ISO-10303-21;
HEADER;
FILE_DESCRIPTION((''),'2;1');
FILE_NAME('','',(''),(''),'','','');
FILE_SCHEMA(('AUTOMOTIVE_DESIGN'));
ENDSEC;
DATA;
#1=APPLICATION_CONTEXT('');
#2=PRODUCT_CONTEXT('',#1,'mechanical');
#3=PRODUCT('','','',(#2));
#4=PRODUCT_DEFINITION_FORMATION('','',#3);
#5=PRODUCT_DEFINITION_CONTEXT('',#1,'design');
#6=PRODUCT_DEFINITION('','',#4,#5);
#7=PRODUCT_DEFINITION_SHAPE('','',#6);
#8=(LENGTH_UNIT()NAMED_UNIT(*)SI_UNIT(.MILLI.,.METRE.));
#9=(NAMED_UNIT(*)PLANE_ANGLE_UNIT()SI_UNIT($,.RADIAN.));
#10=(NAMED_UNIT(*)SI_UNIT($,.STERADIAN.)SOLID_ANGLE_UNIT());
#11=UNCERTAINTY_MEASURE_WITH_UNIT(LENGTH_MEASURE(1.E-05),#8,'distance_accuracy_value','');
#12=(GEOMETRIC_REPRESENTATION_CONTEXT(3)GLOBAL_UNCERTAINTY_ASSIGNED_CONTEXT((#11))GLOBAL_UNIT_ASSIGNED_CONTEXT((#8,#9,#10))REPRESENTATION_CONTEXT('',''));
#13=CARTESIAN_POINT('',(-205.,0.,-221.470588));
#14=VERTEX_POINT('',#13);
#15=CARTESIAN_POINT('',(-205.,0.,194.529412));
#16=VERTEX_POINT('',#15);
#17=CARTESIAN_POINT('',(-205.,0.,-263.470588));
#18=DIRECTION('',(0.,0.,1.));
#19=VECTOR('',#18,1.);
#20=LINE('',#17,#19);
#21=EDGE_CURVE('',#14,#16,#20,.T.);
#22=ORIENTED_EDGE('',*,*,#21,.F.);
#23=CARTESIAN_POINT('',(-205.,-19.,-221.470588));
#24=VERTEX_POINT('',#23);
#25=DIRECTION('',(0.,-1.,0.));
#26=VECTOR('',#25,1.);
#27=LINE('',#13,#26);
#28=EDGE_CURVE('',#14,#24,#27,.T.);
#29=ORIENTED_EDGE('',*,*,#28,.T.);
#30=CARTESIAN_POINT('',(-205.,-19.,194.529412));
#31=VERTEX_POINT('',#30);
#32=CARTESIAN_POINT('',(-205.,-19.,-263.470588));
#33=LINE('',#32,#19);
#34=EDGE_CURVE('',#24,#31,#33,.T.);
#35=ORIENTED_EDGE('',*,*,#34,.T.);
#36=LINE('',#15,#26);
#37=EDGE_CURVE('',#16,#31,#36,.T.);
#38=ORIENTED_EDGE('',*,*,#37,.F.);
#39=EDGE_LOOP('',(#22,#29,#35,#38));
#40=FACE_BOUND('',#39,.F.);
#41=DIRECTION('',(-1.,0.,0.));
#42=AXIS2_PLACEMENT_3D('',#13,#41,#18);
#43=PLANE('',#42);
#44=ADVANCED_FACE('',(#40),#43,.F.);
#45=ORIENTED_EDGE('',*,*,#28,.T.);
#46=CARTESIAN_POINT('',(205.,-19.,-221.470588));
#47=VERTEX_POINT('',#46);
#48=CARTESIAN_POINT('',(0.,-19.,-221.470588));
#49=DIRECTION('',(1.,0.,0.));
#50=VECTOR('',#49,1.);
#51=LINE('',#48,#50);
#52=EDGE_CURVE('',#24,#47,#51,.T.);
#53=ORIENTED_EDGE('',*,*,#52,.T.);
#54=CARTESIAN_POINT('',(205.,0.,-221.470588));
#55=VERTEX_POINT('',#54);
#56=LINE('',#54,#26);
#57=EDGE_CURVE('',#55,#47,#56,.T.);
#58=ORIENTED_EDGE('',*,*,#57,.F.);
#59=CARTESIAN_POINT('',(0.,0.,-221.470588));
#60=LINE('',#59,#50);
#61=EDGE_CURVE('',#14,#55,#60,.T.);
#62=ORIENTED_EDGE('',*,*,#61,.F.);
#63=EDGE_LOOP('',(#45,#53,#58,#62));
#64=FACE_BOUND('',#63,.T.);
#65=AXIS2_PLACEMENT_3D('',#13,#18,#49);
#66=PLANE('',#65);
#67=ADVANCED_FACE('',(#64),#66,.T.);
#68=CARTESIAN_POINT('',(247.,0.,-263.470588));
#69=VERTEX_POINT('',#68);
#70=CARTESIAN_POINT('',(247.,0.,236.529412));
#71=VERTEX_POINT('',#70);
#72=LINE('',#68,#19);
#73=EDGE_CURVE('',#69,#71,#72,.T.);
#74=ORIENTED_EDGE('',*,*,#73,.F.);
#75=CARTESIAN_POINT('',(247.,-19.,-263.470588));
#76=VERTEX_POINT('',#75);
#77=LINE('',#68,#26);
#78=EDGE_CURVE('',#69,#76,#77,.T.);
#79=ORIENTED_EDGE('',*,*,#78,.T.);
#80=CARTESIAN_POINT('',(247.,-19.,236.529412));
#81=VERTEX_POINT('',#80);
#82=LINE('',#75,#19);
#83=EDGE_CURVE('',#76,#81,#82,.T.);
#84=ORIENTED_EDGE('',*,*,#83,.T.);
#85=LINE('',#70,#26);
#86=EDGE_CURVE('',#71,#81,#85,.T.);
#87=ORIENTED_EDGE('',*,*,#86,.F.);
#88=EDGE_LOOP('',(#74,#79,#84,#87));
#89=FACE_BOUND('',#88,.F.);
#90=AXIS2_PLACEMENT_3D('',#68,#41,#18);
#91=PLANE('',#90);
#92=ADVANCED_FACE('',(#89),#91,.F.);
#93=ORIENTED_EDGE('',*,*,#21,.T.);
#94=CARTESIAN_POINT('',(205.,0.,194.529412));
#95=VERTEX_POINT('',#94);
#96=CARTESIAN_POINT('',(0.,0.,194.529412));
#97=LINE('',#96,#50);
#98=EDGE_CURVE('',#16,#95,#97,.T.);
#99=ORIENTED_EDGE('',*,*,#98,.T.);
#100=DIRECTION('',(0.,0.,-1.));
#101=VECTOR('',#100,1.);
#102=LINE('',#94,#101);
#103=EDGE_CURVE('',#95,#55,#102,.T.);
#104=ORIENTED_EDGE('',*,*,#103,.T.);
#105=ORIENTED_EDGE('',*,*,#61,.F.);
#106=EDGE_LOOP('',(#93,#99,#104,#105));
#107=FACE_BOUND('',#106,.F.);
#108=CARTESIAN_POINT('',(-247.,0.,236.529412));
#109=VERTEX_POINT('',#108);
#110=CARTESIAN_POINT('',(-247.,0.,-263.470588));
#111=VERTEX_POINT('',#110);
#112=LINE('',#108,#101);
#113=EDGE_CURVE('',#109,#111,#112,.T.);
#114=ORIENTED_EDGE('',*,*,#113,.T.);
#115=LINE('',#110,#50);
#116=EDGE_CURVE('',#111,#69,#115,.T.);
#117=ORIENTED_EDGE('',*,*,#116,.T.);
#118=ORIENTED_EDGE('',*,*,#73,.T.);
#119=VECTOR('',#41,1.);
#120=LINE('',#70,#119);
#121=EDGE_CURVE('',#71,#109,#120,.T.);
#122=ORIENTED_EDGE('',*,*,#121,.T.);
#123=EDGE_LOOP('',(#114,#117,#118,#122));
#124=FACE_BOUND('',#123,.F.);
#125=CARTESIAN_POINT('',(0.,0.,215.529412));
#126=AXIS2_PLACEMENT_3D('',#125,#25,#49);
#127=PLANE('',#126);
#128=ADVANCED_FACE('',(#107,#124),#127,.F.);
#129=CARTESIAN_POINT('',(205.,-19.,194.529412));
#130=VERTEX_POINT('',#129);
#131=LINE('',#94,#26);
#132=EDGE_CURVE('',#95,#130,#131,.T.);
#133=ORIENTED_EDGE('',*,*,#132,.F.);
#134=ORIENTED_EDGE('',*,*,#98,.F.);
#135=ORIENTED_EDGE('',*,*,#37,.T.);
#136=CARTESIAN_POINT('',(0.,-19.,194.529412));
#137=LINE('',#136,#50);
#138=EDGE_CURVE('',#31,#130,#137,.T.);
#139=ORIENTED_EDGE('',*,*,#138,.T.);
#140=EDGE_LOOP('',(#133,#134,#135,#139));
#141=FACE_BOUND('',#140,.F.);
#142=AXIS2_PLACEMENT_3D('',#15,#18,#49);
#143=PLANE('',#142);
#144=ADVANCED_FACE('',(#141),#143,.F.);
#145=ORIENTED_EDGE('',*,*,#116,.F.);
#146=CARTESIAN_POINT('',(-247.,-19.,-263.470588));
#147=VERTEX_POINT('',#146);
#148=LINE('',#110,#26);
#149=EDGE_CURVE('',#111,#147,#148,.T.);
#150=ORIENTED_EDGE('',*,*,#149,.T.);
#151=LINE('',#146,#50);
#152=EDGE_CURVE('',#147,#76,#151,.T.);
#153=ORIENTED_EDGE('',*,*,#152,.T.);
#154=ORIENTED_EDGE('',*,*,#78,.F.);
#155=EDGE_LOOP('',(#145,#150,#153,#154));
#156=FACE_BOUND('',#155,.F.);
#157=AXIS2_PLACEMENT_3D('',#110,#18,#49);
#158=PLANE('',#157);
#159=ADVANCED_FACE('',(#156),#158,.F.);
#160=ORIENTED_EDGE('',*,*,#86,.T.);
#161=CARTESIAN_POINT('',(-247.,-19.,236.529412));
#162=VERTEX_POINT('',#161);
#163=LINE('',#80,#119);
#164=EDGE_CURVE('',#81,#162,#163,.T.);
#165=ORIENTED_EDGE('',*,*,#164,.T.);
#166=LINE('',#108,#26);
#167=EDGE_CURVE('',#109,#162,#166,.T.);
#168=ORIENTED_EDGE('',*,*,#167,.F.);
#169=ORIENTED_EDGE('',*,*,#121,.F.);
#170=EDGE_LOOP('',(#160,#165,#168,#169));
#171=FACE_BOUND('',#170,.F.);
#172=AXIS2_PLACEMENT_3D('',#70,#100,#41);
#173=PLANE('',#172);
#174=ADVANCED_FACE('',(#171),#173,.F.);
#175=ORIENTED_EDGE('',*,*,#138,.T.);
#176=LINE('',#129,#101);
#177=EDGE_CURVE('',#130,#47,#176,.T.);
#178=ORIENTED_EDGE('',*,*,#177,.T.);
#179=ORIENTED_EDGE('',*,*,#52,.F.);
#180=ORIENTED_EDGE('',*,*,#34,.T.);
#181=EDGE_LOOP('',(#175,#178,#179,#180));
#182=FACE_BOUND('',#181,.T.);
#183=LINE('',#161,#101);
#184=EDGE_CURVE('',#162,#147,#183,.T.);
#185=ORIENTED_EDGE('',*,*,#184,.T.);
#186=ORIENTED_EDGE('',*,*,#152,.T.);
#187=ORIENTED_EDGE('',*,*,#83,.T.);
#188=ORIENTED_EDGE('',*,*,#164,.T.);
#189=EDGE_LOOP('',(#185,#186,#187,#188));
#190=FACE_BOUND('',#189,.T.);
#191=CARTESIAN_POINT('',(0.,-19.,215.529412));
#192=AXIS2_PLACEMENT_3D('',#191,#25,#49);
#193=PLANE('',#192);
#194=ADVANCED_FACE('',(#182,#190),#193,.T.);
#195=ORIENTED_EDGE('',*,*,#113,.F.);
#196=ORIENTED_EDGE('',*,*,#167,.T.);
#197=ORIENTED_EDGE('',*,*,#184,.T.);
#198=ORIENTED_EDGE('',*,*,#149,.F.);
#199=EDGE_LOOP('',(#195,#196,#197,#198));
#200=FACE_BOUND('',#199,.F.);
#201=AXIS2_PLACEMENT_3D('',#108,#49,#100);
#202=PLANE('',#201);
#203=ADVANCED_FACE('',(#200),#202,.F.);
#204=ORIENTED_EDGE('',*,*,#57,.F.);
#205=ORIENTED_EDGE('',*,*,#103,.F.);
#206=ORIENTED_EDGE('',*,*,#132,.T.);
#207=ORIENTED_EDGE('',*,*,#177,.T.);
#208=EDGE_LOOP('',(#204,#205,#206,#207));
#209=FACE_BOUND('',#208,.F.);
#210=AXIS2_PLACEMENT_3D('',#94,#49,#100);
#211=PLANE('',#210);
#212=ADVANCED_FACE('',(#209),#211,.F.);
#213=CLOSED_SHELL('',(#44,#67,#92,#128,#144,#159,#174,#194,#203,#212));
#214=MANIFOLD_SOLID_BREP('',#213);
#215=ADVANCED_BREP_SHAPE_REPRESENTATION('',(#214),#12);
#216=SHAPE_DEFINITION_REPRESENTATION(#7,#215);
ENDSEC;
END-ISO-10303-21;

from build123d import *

# Parameters (mm, degrees)
F0_W     = 410
F0_H     = 42
F1_DEPTH = 19


with BuildPart() as f1:
    # F0 (on Front) → F1 (new body)
    with BuildSketch(Plane.XZ):
        with Locations((0, 215.529412)):
            Rectangle(F0_W, F0_H)
        Polygon((205, 236.529412), (205, 194.529412), (205, -221.470588), (205, -263.470588), (247, -263.470588), (247, 236.529412), align=None)
        Polygon((-205, -221.470588), (-205, 194.529412), (-205, 236.529412), (-247, 236.529412), (-247, -263.470588), (-205, -263.470588), align=None)
        with Locations((0, -242.470588)):
            Rectangle(F0_W, F0_H)
    extrude(amount=F1_DEPTH)


solid = f1.part
